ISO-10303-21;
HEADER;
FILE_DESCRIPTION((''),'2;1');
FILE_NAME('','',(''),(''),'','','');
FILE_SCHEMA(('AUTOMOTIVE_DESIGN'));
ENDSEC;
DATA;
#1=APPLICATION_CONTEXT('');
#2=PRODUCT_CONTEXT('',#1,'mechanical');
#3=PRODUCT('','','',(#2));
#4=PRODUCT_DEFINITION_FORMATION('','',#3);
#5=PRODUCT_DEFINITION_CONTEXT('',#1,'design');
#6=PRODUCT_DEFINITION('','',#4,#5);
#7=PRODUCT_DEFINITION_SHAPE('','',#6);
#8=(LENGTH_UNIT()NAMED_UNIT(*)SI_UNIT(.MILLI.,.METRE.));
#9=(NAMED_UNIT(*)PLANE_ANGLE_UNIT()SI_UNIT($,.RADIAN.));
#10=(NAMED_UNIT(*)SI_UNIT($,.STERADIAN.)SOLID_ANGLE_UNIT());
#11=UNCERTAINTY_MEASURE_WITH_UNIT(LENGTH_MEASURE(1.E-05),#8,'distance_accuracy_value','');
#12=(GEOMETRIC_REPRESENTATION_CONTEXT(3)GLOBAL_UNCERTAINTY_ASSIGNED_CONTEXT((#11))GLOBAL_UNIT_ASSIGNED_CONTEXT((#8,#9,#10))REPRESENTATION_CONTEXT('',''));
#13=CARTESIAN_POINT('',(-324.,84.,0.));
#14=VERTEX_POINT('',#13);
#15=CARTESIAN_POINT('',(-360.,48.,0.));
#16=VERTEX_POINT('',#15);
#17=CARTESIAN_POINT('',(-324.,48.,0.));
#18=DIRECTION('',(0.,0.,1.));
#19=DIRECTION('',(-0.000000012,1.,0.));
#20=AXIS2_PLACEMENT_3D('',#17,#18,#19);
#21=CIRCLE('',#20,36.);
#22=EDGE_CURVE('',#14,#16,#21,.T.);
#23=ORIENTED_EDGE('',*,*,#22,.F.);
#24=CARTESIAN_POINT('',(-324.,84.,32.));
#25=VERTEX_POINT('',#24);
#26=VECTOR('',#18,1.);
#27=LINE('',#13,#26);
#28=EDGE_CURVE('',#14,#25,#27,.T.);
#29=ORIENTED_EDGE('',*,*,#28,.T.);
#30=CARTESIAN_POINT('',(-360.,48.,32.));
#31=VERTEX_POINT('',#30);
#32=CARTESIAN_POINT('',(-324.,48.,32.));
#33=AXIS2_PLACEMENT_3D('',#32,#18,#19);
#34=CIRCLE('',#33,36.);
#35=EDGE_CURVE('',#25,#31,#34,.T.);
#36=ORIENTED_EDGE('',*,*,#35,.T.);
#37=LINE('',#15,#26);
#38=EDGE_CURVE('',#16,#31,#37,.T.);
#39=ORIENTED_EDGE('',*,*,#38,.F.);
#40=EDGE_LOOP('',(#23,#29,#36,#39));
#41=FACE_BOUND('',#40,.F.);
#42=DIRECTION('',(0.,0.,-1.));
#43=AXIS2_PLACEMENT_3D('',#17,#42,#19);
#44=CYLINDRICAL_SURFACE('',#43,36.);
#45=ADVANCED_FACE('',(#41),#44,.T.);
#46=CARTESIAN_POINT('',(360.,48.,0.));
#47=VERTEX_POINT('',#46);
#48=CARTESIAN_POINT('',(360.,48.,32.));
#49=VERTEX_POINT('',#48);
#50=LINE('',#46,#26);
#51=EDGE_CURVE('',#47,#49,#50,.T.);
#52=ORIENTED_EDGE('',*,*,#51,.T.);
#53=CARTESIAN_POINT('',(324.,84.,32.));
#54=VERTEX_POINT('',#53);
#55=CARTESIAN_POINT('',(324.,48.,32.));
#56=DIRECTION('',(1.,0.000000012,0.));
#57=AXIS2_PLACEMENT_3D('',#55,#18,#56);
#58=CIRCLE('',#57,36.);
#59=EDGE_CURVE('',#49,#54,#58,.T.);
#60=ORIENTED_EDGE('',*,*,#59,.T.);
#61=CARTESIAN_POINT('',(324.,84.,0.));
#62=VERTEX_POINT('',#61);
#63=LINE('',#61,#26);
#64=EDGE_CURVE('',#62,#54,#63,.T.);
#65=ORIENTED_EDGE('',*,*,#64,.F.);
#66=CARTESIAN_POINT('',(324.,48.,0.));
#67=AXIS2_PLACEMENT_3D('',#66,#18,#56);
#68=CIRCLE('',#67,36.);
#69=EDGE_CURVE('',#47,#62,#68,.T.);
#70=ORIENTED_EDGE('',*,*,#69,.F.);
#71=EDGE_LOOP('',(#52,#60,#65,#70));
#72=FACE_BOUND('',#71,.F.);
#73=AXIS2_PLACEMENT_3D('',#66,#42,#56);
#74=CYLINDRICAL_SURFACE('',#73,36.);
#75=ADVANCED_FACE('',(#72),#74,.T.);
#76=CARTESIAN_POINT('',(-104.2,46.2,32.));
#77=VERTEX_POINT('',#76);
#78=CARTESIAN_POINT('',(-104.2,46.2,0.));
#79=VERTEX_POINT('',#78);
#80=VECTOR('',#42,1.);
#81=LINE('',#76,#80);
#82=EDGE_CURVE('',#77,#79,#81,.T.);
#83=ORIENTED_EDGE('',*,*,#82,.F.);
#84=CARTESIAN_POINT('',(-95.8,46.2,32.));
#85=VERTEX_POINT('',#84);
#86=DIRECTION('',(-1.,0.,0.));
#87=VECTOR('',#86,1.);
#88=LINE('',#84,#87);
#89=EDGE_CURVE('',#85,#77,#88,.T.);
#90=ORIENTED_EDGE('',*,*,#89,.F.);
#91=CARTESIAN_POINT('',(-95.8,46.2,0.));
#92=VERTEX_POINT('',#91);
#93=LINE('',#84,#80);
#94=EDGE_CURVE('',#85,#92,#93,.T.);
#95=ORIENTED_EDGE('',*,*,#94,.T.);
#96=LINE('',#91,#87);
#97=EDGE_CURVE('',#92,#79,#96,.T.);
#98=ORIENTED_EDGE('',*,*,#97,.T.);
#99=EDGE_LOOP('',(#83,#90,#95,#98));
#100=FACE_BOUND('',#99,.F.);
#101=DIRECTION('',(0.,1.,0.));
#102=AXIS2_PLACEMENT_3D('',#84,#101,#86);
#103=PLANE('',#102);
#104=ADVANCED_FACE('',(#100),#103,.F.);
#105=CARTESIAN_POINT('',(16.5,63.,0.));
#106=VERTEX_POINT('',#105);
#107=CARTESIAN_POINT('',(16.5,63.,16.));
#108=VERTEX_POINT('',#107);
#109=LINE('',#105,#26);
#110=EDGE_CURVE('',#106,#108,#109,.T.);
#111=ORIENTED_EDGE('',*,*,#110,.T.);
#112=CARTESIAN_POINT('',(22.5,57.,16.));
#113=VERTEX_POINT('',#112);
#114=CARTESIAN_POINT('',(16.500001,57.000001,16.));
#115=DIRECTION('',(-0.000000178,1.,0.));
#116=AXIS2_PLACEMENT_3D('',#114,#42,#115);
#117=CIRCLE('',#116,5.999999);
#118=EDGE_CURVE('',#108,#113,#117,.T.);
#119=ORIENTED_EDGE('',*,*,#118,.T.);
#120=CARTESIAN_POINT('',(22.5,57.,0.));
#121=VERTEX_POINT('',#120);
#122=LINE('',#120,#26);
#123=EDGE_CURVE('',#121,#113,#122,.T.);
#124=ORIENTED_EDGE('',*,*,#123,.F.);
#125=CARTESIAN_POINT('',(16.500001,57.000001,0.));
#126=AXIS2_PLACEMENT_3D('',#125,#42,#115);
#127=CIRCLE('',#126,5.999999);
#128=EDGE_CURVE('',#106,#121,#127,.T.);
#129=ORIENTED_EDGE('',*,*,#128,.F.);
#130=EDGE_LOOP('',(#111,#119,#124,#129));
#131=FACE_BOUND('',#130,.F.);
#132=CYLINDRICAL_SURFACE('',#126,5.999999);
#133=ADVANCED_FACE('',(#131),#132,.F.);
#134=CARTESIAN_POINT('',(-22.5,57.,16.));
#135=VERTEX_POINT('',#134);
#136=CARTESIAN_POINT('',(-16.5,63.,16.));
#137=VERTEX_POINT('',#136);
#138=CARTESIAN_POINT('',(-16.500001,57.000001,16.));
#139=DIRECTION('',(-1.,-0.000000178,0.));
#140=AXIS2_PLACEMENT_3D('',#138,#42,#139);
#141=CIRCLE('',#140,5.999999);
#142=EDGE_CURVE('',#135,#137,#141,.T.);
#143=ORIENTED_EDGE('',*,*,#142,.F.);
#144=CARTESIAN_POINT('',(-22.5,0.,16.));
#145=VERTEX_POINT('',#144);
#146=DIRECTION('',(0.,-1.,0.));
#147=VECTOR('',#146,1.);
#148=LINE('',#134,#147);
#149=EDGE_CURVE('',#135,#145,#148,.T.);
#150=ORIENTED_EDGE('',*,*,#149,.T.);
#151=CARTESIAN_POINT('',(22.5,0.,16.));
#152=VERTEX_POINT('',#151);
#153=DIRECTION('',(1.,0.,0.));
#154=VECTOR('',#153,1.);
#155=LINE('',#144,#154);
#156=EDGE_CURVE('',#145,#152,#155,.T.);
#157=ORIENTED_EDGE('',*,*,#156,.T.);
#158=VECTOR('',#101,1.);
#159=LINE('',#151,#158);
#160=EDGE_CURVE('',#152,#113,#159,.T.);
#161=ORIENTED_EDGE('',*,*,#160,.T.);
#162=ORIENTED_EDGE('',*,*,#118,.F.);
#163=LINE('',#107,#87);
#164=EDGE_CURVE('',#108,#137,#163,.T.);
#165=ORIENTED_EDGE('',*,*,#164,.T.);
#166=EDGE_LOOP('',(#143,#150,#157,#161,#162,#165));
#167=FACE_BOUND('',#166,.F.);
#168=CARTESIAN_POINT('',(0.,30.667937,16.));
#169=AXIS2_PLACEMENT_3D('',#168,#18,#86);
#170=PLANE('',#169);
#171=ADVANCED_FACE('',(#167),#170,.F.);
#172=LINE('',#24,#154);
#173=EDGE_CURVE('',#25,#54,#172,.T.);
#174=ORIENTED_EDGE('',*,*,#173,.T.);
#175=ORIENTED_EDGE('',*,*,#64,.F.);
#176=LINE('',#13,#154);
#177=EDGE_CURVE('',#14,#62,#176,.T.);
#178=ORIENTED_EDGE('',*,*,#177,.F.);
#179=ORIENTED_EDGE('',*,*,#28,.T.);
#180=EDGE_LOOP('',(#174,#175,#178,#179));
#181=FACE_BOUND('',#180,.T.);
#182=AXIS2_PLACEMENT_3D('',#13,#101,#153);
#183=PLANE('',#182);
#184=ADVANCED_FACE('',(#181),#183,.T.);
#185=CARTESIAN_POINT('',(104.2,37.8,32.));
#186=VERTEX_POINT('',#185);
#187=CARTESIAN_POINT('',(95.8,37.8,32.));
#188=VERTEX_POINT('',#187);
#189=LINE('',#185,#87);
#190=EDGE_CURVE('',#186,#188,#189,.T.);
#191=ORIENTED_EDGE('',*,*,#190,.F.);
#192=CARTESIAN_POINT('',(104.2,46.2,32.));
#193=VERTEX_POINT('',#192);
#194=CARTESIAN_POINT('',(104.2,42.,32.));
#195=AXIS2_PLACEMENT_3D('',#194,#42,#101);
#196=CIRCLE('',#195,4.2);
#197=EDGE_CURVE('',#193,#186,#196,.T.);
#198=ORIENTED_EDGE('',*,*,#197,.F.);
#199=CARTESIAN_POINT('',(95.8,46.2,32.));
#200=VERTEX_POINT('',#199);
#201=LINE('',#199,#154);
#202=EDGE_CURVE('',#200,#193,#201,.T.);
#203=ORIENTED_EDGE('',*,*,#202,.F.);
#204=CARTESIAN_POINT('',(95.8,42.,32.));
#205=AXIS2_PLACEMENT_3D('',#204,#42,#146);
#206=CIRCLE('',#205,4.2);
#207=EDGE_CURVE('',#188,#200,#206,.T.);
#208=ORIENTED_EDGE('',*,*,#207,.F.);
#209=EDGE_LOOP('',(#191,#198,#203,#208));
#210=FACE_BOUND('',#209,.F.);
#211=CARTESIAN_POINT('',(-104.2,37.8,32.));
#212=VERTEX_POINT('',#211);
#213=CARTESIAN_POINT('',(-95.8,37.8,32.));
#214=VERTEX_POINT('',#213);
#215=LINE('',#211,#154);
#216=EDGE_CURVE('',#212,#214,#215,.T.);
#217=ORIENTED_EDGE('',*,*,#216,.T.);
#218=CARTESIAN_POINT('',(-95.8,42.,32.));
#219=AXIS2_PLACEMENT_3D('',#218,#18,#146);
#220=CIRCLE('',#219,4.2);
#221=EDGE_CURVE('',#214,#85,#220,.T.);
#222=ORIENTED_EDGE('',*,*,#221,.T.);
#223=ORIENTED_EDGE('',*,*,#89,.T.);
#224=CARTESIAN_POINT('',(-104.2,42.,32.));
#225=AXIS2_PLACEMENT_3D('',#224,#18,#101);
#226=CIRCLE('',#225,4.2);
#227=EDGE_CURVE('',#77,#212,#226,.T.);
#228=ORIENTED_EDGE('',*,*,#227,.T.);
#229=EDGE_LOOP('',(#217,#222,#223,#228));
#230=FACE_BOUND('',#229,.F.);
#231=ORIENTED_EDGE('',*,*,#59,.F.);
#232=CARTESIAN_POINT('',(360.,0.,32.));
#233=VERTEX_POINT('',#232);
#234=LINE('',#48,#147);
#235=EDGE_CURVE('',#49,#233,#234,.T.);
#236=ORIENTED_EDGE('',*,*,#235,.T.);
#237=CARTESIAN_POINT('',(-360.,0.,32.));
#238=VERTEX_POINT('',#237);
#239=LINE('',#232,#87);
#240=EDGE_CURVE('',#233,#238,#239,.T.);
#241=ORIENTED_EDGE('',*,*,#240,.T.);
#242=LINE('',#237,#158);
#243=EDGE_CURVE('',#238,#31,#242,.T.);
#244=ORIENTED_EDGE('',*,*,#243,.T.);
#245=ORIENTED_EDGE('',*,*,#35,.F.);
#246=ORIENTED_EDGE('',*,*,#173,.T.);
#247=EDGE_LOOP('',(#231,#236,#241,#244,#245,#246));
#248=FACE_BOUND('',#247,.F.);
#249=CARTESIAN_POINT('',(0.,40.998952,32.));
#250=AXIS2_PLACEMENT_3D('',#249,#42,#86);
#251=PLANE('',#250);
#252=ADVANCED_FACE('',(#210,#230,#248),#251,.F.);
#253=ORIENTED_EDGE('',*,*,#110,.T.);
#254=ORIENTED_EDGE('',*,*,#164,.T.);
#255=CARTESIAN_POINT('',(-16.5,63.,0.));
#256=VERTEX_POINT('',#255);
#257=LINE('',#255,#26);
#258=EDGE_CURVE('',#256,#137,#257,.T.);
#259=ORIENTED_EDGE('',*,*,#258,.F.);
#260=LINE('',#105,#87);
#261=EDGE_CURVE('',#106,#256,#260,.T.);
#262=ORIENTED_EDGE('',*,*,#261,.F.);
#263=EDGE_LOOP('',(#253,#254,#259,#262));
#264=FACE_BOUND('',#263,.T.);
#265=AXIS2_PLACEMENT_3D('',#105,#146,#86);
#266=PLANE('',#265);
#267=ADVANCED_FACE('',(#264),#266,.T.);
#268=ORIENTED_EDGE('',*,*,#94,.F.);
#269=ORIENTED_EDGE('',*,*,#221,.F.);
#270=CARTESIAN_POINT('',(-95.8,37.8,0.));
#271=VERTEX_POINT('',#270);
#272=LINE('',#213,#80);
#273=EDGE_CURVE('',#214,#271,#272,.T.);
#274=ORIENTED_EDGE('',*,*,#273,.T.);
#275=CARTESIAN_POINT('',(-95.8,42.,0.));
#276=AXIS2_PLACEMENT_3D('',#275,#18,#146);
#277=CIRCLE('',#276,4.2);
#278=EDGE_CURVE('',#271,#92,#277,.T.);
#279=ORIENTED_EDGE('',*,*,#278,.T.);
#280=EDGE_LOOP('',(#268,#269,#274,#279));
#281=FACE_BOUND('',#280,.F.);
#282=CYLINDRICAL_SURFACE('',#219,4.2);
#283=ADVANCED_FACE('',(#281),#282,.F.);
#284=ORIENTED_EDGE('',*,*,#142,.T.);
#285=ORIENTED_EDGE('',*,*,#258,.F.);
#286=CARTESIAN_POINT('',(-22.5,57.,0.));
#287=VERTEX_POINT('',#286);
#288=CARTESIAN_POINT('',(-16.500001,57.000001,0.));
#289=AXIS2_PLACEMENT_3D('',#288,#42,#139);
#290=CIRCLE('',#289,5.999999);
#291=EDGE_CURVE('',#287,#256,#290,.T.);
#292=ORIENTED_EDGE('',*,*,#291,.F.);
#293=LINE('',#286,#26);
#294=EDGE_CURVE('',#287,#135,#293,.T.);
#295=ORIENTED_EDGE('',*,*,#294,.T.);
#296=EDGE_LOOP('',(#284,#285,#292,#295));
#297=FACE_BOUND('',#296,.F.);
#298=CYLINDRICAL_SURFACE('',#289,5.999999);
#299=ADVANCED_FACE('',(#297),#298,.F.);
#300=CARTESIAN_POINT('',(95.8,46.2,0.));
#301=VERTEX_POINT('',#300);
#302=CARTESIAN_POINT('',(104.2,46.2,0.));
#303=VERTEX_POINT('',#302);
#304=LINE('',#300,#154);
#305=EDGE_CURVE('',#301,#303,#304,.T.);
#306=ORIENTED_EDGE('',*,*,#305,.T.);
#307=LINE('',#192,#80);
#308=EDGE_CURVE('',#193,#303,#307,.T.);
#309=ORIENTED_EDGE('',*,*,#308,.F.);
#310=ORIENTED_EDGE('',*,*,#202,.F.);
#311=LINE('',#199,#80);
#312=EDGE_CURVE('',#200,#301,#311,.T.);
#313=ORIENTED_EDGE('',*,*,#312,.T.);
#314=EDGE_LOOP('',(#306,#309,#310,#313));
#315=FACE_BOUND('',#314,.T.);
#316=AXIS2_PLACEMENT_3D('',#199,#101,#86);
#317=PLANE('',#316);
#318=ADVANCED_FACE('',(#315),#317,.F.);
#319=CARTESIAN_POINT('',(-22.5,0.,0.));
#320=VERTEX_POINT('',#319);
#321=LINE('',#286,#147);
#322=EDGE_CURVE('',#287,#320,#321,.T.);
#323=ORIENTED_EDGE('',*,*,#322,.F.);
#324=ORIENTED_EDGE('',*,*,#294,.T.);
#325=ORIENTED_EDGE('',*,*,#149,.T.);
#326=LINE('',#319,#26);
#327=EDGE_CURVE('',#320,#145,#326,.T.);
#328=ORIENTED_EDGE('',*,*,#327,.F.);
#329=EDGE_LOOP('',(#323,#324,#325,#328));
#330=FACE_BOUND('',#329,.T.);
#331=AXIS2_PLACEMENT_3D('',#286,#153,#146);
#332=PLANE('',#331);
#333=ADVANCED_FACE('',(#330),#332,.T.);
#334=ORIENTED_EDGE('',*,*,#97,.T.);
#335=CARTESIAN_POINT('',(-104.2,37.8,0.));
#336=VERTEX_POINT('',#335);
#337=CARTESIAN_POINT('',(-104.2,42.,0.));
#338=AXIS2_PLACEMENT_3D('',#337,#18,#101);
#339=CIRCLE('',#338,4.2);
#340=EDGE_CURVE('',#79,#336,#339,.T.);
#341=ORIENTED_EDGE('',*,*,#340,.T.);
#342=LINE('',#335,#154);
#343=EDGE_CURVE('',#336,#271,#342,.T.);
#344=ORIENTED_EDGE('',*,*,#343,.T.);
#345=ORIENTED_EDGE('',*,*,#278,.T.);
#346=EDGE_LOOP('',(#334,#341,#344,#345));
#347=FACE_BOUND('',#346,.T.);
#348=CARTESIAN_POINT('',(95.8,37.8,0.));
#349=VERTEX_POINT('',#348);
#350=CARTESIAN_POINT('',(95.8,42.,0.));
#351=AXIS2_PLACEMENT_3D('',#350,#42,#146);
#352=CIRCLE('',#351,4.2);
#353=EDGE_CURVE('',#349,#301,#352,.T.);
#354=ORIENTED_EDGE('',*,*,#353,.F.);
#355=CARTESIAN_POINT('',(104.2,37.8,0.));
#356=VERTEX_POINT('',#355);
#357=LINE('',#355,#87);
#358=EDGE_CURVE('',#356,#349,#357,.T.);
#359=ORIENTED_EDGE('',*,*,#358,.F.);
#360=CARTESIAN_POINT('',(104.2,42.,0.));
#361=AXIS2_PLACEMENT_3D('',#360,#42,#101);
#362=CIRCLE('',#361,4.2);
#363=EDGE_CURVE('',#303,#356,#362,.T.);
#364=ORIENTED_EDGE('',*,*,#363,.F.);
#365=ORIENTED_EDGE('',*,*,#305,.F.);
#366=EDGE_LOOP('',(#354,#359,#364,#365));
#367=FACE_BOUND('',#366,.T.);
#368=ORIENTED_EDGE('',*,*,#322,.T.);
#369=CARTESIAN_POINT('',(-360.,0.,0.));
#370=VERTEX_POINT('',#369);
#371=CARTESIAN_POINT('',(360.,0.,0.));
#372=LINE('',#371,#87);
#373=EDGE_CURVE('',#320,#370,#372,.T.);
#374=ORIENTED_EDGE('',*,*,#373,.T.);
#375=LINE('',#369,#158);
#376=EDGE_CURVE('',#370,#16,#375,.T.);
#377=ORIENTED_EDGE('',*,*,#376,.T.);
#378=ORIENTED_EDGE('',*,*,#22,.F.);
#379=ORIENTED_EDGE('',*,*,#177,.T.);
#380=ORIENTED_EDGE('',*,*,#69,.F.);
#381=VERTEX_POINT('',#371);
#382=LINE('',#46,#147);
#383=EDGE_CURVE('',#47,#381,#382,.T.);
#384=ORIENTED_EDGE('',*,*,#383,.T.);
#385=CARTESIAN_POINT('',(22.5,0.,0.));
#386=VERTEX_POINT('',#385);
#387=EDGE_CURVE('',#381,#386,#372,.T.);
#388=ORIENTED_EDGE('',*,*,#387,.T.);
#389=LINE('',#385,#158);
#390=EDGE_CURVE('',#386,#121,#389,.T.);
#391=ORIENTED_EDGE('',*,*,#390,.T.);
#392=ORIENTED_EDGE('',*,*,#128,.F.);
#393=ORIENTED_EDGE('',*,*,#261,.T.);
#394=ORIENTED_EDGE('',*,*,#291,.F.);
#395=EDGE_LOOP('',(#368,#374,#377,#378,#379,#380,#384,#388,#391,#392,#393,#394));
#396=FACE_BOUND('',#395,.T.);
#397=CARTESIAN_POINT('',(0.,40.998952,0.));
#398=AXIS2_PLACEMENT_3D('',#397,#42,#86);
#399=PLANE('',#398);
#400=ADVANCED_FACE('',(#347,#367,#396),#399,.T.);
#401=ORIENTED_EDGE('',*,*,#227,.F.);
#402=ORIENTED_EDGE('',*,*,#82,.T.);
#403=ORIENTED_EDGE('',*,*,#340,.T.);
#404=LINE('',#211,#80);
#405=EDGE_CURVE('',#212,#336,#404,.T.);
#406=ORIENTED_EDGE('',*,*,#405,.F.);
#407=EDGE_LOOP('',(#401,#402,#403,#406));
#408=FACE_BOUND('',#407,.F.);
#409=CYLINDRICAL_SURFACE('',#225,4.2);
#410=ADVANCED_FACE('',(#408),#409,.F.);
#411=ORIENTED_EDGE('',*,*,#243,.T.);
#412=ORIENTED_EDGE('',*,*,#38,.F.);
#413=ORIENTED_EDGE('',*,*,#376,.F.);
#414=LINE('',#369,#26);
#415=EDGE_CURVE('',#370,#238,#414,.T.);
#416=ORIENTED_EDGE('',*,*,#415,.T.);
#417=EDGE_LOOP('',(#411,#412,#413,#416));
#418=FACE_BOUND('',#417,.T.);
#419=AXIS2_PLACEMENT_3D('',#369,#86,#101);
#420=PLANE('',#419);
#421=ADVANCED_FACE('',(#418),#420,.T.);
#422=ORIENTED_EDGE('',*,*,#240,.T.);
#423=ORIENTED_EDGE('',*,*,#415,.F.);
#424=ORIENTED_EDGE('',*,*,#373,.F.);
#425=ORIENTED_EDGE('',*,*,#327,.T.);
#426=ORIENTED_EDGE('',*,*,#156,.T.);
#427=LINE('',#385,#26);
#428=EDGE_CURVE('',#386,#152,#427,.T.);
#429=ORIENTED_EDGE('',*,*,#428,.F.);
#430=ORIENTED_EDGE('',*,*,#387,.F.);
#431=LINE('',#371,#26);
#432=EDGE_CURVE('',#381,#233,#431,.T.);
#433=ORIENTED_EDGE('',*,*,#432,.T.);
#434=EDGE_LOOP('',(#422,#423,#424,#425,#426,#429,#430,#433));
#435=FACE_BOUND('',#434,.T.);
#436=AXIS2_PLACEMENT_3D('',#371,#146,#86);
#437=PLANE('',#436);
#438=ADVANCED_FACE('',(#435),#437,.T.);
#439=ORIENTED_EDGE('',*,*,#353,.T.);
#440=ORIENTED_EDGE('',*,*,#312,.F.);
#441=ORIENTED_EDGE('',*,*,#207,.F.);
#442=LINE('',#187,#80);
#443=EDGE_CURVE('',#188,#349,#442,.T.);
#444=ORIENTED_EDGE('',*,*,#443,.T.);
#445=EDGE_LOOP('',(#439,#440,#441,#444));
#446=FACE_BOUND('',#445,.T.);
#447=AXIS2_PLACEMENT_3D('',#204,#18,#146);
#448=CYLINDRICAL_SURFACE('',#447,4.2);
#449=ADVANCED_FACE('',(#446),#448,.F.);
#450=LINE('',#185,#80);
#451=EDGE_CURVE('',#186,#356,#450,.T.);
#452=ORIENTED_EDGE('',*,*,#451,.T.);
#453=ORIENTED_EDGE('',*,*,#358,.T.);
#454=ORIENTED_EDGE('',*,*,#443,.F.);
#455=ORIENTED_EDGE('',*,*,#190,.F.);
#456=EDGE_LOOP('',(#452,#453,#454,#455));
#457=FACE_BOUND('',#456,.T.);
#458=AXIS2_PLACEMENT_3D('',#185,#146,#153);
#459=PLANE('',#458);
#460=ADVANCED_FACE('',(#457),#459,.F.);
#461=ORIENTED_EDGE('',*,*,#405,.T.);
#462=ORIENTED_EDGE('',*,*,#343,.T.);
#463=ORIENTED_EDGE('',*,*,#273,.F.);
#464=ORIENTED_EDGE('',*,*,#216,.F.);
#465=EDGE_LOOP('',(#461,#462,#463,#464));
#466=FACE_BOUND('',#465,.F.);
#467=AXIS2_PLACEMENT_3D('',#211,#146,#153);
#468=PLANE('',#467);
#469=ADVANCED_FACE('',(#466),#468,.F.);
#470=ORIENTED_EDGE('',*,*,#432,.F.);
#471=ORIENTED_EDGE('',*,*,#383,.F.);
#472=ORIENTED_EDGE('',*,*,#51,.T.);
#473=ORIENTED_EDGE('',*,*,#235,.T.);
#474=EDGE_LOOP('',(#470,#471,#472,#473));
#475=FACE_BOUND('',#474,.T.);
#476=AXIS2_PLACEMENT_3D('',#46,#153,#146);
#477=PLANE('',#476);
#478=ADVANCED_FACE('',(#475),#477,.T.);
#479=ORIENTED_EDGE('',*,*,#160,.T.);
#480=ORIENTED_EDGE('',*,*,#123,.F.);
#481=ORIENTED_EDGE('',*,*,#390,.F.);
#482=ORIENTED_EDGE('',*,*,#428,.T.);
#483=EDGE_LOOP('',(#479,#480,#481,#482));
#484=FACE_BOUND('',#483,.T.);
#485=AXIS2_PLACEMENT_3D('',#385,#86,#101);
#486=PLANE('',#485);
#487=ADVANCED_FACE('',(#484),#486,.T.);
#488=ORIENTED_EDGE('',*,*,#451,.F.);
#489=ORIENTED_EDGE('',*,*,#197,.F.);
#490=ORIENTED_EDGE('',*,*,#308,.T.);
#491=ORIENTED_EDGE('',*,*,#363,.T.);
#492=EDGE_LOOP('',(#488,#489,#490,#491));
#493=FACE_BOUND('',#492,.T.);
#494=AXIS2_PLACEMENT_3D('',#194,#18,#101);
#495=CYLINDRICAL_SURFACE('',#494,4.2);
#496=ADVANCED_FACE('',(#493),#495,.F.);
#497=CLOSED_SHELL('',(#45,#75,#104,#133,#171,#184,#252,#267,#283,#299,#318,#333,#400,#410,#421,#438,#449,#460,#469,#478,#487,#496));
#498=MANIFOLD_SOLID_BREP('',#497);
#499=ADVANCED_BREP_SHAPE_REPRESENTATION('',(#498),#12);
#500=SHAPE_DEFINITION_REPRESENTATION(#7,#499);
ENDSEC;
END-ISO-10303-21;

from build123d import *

# Parameters (mm, degrees)
PAD004_DEPTH    = 32
POCKET005_DEPTH = 32
POCKET006_DEPTH = 16


with BuildPart() as part:
    # Sketch009 → Pad004 (new body)
    with BuildSketch(Plane.XY):
        with BuildLine():
            Line((-324, 84), (324, 84))
            ThreePointArc((360, 48), (349.455844, 73.455844), (324, 84))
            Line((360, 48), (360, 0))
            Line((360, 0), (-360, 0))
            Line((-360, 0), (-360, 48))
            ThreePointArc((-324, 84), (-349.455844, 73.455844), (-360, 48))
        make_face()
    extrude(amount=PAD004_DEPTH)

    # Sketch010 → Pocket005 (cut)
    with BuildSketch(Plane.XY.offset(32)):
        with BuildLine():
            ThreePointArc((-104.2, 46.2), (-108.4, 42), (-104.2, 37.8))
            Line((-104.2, 37.8), (-95.8, 37.8))
            ThreePointArc((-95.8, 37.8), (-91.6, 42), (-95.8, 46.2))
            Line((-95.8, 46.2), (-104.2, 46.2))
        make_face()
    pocket005 = extrude(amount=-POCKET005_DEPTH, mode=Mode.SUBTRACT)

    # Mirrored: Pocket005 across Sketch010 V_Axis
    add(pocket005.mirror(Plane(origin=(0, 0, 32), x_dir=(0, 0, 1), z_dir=(1, 0, 0))), mode=Mode.SUBTRACT)

    # Sketch011 → Pocket006 (cut)
    with BuildSketch(Plane(origin=(0, 0, 0), x_dir=(1, 0, 0), z_dir=(0, 0, -1))):
        with BuildLine():
            Line((-22.5, 0), (22.5, 0))
            Line((22.5, 0), (22.5, -57))
            ThreePointArc((16.5, -63), (20.742641, -61.242641), (22.5, -57))
            Line((16.5, -63), (-16.5, -63))
            ThreePointArc((-22.5, -57), (-20.742641, -61.242641), (-16.5, -63))
            Line((-22.5, -57), (-22.5, 0))
        make_face()
    extrude(amount=-POCKET006_DEPTH, mode=Mode.SUBTRACT)


solid = part.part
